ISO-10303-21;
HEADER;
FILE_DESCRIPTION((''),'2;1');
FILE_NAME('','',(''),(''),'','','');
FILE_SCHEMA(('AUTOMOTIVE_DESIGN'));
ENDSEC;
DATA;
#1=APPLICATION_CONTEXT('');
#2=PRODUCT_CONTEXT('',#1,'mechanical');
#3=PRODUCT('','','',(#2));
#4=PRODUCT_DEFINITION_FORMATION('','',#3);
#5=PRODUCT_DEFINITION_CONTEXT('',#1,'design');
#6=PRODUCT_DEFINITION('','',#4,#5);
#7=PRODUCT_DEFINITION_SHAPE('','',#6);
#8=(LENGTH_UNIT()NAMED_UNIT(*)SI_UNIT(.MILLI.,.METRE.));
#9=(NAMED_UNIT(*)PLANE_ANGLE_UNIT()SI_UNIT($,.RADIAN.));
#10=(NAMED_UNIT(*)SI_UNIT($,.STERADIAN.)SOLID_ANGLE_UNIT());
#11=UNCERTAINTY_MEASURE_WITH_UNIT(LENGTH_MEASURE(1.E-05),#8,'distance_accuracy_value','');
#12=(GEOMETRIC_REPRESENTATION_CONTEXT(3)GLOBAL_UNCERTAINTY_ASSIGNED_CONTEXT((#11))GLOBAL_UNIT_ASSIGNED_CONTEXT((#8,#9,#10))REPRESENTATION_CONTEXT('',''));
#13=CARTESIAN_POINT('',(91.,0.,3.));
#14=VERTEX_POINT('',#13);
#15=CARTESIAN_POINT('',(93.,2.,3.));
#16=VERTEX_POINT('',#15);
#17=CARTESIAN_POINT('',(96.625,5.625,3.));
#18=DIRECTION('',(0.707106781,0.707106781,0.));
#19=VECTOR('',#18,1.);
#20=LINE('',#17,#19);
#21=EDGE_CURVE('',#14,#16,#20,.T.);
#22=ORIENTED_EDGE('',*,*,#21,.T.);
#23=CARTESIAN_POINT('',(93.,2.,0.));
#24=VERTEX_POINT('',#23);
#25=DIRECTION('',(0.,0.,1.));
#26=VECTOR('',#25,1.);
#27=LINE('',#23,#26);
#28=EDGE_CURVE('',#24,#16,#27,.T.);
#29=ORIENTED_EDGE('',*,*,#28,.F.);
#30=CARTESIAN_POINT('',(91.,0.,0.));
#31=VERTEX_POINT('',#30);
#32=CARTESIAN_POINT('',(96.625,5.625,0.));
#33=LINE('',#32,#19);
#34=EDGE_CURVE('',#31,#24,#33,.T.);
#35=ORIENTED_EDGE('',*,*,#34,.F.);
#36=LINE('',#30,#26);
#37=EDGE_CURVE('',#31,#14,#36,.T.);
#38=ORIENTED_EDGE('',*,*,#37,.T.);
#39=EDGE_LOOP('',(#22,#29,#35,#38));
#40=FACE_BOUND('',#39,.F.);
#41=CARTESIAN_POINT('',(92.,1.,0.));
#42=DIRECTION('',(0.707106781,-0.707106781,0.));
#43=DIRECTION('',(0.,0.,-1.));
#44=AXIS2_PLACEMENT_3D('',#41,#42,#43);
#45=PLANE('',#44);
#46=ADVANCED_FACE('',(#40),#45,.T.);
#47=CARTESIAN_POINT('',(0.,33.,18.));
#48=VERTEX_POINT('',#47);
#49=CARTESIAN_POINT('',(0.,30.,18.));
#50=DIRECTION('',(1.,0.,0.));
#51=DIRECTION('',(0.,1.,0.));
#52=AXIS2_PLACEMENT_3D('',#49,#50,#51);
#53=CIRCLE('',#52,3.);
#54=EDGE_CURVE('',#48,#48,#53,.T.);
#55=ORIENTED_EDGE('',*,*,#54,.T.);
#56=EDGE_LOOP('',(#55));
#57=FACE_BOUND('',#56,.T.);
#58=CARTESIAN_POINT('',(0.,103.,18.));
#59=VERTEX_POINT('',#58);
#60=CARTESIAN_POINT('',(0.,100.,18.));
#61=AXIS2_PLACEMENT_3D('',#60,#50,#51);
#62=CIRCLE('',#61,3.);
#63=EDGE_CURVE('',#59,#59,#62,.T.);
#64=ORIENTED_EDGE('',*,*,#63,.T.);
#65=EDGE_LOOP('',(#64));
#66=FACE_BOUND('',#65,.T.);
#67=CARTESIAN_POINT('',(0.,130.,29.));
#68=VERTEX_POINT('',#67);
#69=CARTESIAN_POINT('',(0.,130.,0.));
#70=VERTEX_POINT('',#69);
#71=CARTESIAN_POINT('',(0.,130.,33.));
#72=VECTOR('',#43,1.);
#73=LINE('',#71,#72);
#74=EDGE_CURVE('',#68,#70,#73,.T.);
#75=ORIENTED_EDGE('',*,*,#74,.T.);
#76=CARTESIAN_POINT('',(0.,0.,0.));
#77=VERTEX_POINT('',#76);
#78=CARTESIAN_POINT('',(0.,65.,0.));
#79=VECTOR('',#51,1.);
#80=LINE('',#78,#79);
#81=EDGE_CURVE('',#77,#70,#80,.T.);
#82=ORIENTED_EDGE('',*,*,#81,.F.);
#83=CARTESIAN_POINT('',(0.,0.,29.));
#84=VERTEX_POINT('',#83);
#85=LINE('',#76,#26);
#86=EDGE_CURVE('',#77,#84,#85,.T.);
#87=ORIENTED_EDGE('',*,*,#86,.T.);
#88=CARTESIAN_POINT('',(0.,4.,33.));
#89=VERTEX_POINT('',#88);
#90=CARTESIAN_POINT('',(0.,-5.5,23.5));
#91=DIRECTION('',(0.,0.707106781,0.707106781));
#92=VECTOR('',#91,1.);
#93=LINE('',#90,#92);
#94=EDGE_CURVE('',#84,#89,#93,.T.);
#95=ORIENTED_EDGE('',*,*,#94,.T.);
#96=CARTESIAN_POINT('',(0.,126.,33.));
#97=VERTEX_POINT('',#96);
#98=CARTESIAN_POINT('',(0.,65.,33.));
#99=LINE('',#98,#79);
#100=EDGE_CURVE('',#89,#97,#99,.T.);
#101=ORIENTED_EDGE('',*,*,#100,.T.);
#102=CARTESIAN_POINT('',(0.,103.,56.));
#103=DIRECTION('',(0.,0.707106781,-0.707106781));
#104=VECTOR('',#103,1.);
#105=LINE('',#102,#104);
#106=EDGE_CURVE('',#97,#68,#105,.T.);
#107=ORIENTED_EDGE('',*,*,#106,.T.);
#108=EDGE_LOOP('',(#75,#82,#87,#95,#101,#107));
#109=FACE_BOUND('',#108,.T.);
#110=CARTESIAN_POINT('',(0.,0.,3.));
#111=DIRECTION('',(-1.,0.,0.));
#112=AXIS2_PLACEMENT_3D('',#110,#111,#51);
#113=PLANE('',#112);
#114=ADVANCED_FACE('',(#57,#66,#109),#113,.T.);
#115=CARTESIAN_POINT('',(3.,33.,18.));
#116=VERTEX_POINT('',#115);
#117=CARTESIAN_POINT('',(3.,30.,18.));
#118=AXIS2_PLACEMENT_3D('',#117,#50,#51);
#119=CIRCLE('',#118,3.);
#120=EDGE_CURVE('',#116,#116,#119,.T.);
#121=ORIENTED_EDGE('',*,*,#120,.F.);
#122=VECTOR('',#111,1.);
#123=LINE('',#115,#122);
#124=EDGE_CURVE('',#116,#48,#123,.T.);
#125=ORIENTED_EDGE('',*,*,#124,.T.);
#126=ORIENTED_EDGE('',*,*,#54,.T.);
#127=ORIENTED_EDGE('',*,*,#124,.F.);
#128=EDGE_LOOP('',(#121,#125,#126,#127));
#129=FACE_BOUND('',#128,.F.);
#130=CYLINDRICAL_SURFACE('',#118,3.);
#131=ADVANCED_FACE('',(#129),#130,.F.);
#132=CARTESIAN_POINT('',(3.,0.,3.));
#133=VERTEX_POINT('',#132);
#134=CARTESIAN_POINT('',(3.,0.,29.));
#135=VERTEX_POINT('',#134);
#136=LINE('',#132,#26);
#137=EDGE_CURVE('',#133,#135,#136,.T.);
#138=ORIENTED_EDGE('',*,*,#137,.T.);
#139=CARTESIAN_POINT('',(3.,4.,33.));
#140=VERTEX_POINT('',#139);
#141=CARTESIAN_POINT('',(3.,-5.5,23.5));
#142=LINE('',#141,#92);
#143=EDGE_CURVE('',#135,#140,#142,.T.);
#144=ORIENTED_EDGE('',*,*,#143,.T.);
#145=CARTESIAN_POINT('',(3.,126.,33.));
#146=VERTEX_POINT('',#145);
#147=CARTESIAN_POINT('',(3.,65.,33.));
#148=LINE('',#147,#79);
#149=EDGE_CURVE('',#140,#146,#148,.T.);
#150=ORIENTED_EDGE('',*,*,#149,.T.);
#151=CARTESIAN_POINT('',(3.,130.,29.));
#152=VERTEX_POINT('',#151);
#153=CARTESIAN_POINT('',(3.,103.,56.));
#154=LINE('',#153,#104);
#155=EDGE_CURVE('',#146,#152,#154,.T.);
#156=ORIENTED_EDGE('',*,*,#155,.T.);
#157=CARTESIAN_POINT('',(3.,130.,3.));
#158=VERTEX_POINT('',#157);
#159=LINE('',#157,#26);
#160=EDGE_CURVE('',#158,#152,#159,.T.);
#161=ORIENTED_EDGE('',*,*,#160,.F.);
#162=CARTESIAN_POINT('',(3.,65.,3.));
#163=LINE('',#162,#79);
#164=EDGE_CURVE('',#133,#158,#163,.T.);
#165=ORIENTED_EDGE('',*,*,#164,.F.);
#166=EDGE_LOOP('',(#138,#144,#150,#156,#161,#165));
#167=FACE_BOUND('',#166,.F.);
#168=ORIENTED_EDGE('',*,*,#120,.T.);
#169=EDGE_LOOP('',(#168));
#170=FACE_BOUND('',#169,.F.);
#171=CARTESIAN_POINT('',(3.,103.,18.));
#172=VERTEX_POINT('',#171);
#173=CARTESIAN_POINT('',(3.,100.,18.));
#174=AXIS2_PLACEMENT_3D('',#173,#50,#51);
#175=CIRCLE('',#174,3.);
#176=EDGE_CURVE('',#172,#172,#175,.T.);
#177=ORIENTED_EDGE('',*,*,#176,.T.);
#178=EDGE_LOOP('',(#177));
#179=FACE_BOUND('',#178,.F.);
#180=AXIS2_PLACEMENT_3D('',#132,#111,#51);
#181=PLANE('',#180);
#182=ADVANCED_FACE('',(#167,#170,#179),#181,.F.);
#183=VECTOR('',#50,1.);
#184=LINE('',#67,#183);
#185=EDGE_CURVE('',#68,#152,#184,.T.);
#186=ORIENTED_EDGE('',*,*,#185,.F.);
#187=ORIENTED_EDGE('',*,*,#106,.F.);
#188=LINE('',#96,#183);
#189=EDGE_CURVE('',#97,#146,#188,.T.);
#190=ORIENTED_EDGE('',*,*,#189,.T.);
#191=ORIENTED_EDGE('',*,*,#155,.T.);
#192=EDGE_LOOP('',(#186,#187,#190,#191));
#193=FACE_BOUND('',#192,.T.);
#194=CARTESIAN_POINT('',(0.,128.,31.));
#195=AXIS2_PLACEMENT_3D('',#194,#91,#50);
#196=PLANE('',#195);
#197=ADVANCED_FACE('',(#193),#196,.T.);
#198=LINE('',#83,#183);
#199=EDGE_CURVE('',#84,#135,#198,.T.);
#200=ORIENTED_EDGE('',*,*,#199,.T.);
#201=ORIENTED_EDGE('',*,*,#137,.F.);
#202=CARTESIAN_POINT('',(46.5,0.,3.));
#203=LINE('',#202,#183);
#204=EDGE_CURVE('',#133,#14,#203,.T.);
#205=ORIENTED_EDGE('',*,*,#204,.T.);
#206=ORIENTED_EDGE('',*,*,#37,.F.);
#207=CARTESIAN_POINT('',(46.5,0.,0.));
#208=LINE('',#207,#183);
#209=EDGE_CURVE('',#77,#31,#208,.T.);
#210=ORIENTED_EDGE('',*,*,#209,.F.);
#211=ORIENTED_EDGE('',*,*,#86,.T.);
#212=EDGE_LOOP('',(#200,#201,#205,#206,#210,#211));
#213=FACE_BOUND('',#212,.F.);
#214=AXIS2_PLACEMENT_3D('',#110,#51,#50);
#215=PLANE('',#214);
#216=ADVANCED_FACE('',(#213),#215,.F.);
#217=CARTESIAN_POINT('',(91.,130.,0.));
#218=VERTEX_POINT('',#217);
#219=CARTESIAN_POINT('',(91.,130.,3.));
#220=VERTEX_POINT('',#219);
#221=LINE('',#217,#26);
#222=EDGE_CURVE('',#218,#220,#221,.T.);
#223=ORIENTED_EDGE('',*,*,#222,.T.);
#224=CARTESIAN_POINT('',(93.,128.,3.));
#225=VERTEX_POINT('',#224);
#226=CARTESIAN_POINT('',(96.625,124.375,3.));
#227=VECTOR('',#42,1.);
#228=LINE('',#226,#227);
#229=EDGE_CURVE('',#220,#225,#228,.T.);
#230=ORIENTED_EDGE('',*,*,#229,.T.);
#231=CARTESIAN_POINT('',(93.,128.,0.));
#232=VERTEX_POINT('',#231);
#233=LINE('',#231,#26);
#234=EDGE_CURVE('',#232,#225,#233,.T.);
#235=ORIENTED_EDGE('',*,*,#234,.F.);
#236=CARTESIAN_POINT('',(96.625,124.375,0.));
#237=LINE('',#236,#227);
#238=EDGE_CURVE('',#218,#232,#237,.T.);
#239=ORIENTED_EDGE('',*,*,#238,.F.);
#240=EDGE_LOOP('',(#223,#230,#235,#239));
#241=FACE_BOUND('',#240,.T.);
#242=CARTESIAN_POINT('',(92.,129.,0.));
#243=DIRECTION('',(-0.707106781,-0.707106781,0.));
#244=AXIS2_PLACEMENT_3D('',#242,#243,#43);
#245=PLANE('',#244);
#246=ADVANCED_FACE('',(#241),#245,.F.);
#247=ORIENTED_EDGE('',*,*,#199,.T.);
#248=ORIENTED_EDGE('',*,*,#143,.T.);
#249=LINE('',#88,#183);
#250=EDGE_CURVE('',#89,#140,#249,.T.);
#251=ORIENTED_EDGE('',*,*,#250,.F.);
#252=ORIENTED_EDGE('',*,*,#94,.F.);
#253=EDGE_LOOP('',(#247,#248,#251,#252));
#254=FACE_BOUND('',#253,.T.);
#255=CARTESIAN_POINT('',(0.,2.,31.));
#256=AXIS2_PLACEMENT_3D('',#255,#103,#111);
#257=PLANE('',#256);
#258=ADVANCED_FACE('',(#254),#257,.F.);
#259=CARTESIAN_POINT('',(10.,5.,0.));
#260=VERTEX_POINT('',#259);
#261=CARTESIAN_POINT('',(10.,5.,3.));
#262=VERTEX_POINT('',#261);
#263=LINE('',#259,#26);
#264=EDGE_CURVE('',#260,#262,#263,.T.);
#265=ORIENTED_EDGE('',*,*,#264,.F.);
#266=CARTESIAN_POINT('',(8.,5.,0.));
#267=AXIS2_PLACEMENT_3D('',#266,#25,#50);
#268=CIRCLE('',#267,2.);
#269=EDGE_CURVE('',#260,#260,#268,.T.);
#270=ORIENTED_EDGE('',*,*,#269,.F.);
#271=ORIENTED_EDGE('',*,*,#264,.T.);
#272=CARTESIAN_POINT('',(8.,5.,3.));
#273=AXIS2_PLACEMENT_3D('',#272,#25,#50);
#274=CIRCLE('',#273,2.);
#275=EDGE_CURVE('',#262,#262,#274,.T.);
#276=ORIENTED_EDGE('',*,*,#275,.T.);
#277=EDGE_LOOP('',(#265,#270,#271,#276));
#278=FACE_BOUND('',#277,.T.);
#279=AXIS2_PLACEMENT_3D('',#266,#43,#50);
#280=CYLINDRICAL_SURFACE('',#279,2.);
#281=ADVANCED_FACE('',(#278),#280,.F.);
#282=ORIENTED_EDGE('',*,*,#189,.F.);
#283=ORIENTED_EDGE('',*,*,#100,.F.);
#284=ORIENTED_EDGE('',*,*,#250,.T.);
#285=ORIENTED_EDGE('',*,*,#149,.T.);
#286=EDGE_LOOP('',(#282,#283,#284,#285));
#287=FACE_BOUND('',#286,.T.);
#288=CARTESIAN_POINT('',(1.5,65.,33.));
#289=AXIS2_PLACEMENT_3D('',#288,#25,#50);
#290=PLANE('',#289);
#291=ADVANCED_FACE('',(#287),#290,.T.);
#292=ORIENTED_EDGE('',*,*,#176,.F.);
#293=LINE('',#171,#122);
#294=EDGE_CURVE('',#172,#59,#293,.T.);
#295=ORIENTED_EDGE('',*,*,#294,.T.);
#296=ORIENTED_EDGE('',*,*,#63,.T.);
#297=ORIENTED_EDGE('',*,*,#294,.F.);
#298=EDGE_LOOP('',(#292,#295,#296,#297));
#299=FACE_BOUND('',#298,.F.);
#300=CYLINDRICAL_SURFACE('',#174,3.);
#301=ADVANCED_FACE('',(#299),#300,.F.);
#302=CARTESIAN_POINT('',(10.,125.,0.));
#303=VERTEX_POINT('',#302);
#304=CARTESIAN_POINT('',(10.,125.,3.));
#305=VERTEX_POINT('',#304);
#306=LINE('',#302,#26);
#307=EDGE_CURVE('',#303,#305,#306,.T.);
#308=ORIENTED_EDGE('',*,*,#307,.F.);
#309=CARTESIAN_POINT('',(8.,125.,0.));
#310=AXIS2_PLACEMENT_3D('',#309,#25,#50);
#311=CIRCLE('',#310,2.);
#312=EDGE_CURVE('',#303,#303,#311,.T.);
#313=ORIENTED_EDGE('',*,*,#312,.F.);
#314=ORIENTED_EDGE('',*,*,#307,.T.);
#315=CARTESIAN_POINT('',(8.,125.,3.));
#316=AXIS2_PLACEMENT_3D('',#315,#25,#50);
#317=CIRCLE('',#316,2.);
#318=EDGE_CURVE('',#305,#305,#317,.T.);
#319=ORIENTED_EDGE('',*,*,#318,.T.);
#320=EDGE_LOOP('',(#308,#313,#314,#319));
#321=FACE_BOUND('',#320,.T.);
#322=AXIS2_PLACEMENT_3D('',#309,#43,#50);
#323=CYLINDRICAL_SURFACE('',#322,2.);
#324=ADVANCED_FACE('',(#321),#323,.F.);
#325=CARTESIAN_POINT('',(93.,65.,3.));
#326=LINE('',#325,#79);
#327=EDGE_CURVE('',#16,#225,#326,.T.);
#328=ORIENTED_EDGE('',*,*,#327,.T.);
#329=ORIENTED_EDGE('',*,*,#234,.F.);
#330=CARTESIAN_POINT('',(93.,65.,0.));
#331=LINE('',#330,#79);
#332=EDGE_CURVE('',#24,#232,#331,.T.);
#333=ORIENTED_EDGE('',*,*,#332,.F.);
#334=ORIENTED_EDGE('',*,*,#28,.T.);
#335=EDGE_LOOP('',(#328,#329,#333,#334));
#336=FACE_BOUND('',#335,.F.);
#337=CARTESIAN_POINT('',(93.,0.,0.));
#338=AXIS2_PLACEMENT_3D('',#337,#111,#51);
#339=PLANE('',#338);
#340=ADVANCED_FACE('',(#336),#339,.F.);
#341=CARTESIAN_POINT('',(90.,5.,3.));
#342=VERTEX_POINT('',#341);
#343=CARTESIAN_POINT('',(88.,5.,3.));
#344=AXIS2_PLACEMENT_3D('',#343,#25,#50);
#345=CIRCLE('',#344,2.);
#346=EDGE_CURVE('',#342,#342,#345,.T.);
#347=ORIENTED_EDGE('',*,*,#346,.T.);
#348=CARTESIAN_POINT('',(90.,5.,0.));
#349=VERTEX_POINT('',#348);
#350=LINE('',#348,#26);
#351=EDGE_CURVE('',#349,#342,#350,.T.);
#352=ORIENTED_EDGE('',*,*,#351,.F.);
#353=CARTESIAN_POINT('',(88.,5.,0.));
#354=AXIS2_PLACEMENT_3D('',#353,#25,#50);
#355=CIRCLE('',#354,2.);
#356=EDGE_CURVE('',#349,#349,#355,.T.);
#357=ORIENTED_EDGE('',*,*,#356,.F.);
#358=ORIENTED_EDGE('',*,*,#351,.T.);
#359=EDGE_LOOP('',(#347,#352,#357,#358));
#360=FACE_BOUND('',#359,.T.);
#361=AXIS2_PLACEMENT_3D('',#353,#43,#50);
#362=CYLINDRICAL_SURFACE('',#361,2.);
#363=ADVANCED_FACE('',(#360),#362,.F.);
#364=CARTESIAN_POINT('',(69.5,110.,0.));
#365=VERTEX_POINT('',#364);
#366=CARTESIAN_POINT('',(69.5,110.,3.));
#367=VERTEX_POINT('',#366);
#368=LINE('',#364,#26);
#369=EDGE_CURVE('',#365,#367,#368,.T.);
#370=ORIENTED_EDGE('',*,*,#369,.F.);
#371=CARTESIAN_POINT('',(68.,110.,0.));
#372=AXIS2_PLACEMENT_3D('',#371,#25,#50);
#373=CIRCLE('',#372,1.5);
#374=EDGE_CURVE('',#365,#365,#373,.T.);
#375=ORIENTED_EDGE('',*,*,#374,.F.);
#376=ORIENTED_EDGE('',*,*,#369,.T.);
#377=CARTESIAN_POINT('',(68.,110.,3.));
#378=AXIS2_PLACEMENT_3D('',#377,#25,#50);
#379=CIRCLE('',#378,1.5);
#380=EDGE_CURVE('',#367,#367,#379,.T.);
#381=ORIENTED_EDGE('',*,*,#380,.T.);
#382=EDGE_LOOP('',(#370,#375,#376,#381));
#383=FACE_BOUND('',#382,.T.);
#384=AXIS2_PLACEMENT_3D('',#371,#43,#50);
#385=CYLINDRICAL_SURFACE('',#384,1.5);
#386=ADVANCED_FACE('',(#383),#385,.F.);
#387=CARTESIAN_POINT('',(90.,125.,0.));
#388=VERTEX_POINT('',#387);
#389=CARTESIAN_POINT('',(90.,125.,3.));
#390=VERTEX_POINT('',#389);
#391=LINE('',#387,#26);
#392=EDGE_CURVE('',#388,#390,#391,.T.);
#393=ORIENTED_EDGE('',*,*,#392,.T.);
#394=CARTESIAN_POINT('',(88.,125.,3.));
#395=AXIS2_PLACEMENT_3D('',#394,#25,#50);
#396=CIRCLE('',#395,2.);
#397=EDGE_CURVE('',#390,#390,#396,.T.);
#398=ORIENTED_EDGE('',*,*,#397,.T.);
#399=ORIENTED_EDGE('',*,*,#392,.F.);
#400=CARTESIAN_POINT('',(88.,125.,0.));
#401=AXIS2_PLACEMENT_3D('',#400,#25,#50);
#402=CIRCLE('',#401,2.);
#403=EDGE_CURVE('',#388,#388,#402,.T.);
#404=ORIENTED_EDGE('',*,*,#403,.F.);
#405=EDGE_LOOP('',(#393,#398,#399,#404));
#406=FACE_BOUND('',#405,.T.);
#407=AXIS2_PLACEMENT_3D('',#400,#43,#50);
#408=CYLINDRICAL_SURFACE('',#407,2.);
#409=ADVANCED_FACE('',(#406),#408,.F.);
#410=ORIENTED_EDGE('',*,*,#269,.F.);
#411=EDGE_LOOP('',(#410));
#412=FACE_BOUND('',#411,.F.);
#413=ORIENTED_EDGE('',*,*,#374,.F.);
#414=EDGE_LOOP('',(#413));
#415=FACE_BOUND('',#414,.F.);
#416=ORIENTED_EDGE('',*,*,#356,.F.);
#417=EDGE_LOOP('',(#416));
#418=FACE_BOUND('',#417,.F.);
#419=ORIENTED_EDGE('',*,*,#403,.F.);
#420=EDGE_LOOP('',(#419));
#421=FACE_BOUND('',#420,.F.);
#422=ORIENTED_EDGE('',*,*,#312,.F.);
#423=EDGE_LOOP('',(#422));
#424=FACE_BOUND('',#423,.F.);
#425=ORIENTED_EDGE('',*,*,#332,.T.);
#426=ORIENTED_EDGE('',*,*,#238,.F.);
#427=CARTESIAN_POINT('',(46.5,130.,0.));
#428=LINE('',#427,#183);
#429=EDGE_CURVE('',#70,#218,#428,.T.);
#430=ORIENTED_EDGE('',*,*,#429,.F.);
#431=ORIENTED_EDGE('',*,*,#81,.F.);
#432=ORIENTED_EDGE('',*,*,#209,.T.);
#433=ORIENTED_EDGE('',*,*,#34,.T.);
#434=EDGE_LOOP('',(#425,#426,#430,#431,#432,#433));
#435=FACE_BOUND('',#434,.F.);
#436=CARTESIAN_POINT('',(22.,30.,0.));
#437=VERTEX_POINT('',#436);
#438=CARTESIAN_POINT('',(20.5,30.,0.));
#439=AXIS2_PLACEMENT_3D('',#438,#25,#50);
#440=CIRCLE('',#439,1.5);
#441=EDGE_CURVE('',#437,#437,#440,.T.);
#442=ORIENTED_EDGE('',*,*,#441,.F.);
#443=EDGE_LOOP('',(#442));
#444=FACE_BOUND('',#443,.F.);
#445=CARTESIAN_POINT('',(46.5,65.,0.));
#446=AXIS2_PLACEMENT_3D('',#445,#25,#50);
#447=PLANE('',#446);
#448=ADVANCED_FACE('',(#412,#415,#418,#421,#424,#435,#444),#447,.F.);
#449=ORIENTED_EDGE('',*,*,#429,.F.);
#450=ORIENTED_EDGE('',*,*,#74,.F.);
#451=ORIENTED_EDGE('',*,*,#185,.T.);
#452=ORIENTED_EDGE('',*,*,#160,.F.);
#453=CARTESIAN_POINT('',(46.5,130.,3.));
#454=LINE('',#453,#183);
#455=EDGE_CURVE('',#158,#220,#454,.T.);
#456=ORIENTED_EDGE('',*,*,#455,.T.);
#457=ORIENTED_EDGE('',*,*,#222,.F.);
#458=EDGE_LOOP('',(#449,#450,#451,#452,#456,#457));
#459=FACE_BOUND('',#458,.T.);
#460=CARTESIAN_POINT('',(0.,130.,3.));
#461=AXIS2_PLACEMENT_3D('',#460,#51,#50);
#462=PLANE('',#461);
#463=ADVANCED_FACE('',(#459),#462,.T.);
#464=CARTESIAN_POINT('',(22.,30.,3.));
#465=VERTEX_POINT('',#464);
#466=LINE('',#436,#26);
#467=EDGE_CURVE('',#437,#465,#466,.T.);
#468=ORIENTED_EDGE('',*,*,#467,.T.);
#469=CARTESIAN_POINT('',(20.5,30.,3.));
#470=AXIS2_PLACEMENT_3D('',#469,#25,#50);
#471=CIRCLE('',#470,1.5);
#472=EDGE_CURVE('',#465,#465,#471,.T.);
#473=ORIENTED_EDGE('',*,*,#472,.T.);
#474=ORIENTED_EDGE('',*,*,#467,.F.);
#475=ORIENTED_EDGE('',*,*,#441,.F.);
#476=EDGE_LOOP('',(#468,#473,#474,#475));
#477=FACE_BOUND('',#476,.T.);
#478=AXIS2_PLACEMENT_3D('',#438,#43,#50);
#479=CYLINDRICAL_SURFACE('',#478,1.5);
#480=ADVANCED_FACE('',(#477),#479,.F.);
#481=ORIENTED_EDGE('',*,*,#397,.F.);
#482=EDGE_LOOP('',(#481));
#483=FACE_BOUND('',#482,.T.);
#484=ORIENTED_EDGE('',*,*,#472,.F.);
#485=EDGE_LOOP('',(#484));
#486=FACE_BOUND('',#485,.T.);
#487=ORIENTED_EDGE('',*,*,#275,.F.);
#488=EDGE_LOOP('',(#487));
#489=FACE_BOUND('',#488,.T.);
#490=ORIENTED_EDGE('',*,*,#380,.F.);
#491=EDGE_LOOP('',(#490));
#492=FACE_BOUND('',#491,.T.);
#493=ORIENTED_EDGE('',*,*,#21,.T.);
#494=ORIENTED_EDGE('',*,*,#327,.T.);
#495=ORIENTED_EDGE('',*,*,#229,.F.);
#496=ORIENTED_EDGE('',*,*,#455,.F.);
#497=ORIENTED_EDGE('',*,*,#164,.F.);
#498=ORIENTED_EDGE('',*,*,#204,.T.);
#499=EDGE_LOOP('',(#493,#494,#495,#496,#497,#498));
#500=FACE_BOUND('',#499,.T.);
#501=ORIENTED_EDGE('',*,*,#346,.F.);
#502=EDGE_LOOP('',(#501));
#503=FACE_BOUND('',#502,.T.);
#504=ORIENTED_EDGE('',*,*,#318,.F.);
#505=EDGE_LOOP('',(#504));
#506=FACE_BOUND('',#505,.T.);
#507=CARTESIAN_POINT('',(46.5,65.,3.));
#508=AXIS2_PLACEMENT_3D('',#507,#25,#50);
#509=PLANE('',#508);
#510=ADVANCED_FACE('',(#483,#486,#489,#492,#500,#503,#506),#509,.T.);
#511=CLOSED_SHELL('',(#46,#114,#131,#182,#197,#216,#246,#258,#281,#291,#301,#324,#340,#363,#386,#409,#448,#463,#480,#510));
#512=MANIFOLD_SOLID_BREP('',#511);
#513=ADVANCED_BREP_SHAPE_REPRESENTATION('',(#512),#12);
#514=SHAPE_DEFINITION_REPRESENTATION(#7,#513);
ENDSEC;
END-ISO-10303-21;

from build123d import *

# Parameters (mm, degrees)
SKETCH_W        = 93
SKETCH_H        = 130
SKETCH_R        = 1.5
SKETCH_R_2      = 2
PAD_DEPTH       = 3
SKETCH001_W     = 3
SKETCH001_H     = 130
PAD001_DEPTH    = 30
SKETCH002_R     = 3
POCKET_DEPTH    = 3.001
CHAMFER_SIZE    = 2
CHAMFER001_SIZE = 4


with BuildPart() as part:
    # Sketch → Pad (new body)
    with BuildSketch(Plane.XY):
        with Locations((46.5, 65)):
            Rectangle(SKETCH_W, SKETCH_H)
        with Locations((20.5, 30)):
            Circle(SKETCH_R, mode=Mode.SUBTRACT)
        with Locations((68, 110)):
            Circle(SKETCH_R, mode=Mode.SUBTRACT)
        with Locations((8, 125)):
            Circle(SKETCH_R_2, mode=Mode.SUBTRACT)
        with Locations((88, 125)):
            Circle(SKETCH_R_2, mode=Mode.SUBTRACT)
        with Locations((88, 5)):
            Circle(SKETCH_R_2, mode=Mode.SUBTRACT)
        with Locations((8, 5)):
            Circle(SKETCH_R_2, mode=Mode.SUBTRACT)
    extrude(amount=PAD_DEPTH)

    # Sketch001 (on Face12 of Pad) → Pad001 (join)
    with BuildSketch(Plane.XY.offset(3)):
        with Locations((1.5, 65)):
            Rectangle(SKETCH001_W, SKETCH001_H)
    extrude(amount=PAD001_DEPTH)

    # Sketch002 (on Face15 of Pad001) → Pocket (cut, through all)
    with BuildSketch(Plane.YZ.offset(3)):
        with Locations((30, 18)):
            Circle(SKETCH002_R)
        with Locations((100, 18)):
            Circle(SKETCH002_R)
    extrude(amount=-POCKET_DEPTH, mode=Mode.SUBTRACT)

    # Chamfer
    chamfer_edges = [part.edges().sort_by_distance(p)[0] for p in [
        (93, 0, 1.5),
        (93, 130, 1.5),
    ]]
    chamfer(chamfer_edges, length=CHAMFER_SIZE)

    # Chamfer001
    chamfer001_edges = [part.edges().sort_by_distance(p)[0] for p in [
        (1.5, 0, 33),
        (1.5, 130, 33),
    ]]
    chamfer(chamfer001_edges, length=CHAMFER001_SIZE)


solid = part.part
